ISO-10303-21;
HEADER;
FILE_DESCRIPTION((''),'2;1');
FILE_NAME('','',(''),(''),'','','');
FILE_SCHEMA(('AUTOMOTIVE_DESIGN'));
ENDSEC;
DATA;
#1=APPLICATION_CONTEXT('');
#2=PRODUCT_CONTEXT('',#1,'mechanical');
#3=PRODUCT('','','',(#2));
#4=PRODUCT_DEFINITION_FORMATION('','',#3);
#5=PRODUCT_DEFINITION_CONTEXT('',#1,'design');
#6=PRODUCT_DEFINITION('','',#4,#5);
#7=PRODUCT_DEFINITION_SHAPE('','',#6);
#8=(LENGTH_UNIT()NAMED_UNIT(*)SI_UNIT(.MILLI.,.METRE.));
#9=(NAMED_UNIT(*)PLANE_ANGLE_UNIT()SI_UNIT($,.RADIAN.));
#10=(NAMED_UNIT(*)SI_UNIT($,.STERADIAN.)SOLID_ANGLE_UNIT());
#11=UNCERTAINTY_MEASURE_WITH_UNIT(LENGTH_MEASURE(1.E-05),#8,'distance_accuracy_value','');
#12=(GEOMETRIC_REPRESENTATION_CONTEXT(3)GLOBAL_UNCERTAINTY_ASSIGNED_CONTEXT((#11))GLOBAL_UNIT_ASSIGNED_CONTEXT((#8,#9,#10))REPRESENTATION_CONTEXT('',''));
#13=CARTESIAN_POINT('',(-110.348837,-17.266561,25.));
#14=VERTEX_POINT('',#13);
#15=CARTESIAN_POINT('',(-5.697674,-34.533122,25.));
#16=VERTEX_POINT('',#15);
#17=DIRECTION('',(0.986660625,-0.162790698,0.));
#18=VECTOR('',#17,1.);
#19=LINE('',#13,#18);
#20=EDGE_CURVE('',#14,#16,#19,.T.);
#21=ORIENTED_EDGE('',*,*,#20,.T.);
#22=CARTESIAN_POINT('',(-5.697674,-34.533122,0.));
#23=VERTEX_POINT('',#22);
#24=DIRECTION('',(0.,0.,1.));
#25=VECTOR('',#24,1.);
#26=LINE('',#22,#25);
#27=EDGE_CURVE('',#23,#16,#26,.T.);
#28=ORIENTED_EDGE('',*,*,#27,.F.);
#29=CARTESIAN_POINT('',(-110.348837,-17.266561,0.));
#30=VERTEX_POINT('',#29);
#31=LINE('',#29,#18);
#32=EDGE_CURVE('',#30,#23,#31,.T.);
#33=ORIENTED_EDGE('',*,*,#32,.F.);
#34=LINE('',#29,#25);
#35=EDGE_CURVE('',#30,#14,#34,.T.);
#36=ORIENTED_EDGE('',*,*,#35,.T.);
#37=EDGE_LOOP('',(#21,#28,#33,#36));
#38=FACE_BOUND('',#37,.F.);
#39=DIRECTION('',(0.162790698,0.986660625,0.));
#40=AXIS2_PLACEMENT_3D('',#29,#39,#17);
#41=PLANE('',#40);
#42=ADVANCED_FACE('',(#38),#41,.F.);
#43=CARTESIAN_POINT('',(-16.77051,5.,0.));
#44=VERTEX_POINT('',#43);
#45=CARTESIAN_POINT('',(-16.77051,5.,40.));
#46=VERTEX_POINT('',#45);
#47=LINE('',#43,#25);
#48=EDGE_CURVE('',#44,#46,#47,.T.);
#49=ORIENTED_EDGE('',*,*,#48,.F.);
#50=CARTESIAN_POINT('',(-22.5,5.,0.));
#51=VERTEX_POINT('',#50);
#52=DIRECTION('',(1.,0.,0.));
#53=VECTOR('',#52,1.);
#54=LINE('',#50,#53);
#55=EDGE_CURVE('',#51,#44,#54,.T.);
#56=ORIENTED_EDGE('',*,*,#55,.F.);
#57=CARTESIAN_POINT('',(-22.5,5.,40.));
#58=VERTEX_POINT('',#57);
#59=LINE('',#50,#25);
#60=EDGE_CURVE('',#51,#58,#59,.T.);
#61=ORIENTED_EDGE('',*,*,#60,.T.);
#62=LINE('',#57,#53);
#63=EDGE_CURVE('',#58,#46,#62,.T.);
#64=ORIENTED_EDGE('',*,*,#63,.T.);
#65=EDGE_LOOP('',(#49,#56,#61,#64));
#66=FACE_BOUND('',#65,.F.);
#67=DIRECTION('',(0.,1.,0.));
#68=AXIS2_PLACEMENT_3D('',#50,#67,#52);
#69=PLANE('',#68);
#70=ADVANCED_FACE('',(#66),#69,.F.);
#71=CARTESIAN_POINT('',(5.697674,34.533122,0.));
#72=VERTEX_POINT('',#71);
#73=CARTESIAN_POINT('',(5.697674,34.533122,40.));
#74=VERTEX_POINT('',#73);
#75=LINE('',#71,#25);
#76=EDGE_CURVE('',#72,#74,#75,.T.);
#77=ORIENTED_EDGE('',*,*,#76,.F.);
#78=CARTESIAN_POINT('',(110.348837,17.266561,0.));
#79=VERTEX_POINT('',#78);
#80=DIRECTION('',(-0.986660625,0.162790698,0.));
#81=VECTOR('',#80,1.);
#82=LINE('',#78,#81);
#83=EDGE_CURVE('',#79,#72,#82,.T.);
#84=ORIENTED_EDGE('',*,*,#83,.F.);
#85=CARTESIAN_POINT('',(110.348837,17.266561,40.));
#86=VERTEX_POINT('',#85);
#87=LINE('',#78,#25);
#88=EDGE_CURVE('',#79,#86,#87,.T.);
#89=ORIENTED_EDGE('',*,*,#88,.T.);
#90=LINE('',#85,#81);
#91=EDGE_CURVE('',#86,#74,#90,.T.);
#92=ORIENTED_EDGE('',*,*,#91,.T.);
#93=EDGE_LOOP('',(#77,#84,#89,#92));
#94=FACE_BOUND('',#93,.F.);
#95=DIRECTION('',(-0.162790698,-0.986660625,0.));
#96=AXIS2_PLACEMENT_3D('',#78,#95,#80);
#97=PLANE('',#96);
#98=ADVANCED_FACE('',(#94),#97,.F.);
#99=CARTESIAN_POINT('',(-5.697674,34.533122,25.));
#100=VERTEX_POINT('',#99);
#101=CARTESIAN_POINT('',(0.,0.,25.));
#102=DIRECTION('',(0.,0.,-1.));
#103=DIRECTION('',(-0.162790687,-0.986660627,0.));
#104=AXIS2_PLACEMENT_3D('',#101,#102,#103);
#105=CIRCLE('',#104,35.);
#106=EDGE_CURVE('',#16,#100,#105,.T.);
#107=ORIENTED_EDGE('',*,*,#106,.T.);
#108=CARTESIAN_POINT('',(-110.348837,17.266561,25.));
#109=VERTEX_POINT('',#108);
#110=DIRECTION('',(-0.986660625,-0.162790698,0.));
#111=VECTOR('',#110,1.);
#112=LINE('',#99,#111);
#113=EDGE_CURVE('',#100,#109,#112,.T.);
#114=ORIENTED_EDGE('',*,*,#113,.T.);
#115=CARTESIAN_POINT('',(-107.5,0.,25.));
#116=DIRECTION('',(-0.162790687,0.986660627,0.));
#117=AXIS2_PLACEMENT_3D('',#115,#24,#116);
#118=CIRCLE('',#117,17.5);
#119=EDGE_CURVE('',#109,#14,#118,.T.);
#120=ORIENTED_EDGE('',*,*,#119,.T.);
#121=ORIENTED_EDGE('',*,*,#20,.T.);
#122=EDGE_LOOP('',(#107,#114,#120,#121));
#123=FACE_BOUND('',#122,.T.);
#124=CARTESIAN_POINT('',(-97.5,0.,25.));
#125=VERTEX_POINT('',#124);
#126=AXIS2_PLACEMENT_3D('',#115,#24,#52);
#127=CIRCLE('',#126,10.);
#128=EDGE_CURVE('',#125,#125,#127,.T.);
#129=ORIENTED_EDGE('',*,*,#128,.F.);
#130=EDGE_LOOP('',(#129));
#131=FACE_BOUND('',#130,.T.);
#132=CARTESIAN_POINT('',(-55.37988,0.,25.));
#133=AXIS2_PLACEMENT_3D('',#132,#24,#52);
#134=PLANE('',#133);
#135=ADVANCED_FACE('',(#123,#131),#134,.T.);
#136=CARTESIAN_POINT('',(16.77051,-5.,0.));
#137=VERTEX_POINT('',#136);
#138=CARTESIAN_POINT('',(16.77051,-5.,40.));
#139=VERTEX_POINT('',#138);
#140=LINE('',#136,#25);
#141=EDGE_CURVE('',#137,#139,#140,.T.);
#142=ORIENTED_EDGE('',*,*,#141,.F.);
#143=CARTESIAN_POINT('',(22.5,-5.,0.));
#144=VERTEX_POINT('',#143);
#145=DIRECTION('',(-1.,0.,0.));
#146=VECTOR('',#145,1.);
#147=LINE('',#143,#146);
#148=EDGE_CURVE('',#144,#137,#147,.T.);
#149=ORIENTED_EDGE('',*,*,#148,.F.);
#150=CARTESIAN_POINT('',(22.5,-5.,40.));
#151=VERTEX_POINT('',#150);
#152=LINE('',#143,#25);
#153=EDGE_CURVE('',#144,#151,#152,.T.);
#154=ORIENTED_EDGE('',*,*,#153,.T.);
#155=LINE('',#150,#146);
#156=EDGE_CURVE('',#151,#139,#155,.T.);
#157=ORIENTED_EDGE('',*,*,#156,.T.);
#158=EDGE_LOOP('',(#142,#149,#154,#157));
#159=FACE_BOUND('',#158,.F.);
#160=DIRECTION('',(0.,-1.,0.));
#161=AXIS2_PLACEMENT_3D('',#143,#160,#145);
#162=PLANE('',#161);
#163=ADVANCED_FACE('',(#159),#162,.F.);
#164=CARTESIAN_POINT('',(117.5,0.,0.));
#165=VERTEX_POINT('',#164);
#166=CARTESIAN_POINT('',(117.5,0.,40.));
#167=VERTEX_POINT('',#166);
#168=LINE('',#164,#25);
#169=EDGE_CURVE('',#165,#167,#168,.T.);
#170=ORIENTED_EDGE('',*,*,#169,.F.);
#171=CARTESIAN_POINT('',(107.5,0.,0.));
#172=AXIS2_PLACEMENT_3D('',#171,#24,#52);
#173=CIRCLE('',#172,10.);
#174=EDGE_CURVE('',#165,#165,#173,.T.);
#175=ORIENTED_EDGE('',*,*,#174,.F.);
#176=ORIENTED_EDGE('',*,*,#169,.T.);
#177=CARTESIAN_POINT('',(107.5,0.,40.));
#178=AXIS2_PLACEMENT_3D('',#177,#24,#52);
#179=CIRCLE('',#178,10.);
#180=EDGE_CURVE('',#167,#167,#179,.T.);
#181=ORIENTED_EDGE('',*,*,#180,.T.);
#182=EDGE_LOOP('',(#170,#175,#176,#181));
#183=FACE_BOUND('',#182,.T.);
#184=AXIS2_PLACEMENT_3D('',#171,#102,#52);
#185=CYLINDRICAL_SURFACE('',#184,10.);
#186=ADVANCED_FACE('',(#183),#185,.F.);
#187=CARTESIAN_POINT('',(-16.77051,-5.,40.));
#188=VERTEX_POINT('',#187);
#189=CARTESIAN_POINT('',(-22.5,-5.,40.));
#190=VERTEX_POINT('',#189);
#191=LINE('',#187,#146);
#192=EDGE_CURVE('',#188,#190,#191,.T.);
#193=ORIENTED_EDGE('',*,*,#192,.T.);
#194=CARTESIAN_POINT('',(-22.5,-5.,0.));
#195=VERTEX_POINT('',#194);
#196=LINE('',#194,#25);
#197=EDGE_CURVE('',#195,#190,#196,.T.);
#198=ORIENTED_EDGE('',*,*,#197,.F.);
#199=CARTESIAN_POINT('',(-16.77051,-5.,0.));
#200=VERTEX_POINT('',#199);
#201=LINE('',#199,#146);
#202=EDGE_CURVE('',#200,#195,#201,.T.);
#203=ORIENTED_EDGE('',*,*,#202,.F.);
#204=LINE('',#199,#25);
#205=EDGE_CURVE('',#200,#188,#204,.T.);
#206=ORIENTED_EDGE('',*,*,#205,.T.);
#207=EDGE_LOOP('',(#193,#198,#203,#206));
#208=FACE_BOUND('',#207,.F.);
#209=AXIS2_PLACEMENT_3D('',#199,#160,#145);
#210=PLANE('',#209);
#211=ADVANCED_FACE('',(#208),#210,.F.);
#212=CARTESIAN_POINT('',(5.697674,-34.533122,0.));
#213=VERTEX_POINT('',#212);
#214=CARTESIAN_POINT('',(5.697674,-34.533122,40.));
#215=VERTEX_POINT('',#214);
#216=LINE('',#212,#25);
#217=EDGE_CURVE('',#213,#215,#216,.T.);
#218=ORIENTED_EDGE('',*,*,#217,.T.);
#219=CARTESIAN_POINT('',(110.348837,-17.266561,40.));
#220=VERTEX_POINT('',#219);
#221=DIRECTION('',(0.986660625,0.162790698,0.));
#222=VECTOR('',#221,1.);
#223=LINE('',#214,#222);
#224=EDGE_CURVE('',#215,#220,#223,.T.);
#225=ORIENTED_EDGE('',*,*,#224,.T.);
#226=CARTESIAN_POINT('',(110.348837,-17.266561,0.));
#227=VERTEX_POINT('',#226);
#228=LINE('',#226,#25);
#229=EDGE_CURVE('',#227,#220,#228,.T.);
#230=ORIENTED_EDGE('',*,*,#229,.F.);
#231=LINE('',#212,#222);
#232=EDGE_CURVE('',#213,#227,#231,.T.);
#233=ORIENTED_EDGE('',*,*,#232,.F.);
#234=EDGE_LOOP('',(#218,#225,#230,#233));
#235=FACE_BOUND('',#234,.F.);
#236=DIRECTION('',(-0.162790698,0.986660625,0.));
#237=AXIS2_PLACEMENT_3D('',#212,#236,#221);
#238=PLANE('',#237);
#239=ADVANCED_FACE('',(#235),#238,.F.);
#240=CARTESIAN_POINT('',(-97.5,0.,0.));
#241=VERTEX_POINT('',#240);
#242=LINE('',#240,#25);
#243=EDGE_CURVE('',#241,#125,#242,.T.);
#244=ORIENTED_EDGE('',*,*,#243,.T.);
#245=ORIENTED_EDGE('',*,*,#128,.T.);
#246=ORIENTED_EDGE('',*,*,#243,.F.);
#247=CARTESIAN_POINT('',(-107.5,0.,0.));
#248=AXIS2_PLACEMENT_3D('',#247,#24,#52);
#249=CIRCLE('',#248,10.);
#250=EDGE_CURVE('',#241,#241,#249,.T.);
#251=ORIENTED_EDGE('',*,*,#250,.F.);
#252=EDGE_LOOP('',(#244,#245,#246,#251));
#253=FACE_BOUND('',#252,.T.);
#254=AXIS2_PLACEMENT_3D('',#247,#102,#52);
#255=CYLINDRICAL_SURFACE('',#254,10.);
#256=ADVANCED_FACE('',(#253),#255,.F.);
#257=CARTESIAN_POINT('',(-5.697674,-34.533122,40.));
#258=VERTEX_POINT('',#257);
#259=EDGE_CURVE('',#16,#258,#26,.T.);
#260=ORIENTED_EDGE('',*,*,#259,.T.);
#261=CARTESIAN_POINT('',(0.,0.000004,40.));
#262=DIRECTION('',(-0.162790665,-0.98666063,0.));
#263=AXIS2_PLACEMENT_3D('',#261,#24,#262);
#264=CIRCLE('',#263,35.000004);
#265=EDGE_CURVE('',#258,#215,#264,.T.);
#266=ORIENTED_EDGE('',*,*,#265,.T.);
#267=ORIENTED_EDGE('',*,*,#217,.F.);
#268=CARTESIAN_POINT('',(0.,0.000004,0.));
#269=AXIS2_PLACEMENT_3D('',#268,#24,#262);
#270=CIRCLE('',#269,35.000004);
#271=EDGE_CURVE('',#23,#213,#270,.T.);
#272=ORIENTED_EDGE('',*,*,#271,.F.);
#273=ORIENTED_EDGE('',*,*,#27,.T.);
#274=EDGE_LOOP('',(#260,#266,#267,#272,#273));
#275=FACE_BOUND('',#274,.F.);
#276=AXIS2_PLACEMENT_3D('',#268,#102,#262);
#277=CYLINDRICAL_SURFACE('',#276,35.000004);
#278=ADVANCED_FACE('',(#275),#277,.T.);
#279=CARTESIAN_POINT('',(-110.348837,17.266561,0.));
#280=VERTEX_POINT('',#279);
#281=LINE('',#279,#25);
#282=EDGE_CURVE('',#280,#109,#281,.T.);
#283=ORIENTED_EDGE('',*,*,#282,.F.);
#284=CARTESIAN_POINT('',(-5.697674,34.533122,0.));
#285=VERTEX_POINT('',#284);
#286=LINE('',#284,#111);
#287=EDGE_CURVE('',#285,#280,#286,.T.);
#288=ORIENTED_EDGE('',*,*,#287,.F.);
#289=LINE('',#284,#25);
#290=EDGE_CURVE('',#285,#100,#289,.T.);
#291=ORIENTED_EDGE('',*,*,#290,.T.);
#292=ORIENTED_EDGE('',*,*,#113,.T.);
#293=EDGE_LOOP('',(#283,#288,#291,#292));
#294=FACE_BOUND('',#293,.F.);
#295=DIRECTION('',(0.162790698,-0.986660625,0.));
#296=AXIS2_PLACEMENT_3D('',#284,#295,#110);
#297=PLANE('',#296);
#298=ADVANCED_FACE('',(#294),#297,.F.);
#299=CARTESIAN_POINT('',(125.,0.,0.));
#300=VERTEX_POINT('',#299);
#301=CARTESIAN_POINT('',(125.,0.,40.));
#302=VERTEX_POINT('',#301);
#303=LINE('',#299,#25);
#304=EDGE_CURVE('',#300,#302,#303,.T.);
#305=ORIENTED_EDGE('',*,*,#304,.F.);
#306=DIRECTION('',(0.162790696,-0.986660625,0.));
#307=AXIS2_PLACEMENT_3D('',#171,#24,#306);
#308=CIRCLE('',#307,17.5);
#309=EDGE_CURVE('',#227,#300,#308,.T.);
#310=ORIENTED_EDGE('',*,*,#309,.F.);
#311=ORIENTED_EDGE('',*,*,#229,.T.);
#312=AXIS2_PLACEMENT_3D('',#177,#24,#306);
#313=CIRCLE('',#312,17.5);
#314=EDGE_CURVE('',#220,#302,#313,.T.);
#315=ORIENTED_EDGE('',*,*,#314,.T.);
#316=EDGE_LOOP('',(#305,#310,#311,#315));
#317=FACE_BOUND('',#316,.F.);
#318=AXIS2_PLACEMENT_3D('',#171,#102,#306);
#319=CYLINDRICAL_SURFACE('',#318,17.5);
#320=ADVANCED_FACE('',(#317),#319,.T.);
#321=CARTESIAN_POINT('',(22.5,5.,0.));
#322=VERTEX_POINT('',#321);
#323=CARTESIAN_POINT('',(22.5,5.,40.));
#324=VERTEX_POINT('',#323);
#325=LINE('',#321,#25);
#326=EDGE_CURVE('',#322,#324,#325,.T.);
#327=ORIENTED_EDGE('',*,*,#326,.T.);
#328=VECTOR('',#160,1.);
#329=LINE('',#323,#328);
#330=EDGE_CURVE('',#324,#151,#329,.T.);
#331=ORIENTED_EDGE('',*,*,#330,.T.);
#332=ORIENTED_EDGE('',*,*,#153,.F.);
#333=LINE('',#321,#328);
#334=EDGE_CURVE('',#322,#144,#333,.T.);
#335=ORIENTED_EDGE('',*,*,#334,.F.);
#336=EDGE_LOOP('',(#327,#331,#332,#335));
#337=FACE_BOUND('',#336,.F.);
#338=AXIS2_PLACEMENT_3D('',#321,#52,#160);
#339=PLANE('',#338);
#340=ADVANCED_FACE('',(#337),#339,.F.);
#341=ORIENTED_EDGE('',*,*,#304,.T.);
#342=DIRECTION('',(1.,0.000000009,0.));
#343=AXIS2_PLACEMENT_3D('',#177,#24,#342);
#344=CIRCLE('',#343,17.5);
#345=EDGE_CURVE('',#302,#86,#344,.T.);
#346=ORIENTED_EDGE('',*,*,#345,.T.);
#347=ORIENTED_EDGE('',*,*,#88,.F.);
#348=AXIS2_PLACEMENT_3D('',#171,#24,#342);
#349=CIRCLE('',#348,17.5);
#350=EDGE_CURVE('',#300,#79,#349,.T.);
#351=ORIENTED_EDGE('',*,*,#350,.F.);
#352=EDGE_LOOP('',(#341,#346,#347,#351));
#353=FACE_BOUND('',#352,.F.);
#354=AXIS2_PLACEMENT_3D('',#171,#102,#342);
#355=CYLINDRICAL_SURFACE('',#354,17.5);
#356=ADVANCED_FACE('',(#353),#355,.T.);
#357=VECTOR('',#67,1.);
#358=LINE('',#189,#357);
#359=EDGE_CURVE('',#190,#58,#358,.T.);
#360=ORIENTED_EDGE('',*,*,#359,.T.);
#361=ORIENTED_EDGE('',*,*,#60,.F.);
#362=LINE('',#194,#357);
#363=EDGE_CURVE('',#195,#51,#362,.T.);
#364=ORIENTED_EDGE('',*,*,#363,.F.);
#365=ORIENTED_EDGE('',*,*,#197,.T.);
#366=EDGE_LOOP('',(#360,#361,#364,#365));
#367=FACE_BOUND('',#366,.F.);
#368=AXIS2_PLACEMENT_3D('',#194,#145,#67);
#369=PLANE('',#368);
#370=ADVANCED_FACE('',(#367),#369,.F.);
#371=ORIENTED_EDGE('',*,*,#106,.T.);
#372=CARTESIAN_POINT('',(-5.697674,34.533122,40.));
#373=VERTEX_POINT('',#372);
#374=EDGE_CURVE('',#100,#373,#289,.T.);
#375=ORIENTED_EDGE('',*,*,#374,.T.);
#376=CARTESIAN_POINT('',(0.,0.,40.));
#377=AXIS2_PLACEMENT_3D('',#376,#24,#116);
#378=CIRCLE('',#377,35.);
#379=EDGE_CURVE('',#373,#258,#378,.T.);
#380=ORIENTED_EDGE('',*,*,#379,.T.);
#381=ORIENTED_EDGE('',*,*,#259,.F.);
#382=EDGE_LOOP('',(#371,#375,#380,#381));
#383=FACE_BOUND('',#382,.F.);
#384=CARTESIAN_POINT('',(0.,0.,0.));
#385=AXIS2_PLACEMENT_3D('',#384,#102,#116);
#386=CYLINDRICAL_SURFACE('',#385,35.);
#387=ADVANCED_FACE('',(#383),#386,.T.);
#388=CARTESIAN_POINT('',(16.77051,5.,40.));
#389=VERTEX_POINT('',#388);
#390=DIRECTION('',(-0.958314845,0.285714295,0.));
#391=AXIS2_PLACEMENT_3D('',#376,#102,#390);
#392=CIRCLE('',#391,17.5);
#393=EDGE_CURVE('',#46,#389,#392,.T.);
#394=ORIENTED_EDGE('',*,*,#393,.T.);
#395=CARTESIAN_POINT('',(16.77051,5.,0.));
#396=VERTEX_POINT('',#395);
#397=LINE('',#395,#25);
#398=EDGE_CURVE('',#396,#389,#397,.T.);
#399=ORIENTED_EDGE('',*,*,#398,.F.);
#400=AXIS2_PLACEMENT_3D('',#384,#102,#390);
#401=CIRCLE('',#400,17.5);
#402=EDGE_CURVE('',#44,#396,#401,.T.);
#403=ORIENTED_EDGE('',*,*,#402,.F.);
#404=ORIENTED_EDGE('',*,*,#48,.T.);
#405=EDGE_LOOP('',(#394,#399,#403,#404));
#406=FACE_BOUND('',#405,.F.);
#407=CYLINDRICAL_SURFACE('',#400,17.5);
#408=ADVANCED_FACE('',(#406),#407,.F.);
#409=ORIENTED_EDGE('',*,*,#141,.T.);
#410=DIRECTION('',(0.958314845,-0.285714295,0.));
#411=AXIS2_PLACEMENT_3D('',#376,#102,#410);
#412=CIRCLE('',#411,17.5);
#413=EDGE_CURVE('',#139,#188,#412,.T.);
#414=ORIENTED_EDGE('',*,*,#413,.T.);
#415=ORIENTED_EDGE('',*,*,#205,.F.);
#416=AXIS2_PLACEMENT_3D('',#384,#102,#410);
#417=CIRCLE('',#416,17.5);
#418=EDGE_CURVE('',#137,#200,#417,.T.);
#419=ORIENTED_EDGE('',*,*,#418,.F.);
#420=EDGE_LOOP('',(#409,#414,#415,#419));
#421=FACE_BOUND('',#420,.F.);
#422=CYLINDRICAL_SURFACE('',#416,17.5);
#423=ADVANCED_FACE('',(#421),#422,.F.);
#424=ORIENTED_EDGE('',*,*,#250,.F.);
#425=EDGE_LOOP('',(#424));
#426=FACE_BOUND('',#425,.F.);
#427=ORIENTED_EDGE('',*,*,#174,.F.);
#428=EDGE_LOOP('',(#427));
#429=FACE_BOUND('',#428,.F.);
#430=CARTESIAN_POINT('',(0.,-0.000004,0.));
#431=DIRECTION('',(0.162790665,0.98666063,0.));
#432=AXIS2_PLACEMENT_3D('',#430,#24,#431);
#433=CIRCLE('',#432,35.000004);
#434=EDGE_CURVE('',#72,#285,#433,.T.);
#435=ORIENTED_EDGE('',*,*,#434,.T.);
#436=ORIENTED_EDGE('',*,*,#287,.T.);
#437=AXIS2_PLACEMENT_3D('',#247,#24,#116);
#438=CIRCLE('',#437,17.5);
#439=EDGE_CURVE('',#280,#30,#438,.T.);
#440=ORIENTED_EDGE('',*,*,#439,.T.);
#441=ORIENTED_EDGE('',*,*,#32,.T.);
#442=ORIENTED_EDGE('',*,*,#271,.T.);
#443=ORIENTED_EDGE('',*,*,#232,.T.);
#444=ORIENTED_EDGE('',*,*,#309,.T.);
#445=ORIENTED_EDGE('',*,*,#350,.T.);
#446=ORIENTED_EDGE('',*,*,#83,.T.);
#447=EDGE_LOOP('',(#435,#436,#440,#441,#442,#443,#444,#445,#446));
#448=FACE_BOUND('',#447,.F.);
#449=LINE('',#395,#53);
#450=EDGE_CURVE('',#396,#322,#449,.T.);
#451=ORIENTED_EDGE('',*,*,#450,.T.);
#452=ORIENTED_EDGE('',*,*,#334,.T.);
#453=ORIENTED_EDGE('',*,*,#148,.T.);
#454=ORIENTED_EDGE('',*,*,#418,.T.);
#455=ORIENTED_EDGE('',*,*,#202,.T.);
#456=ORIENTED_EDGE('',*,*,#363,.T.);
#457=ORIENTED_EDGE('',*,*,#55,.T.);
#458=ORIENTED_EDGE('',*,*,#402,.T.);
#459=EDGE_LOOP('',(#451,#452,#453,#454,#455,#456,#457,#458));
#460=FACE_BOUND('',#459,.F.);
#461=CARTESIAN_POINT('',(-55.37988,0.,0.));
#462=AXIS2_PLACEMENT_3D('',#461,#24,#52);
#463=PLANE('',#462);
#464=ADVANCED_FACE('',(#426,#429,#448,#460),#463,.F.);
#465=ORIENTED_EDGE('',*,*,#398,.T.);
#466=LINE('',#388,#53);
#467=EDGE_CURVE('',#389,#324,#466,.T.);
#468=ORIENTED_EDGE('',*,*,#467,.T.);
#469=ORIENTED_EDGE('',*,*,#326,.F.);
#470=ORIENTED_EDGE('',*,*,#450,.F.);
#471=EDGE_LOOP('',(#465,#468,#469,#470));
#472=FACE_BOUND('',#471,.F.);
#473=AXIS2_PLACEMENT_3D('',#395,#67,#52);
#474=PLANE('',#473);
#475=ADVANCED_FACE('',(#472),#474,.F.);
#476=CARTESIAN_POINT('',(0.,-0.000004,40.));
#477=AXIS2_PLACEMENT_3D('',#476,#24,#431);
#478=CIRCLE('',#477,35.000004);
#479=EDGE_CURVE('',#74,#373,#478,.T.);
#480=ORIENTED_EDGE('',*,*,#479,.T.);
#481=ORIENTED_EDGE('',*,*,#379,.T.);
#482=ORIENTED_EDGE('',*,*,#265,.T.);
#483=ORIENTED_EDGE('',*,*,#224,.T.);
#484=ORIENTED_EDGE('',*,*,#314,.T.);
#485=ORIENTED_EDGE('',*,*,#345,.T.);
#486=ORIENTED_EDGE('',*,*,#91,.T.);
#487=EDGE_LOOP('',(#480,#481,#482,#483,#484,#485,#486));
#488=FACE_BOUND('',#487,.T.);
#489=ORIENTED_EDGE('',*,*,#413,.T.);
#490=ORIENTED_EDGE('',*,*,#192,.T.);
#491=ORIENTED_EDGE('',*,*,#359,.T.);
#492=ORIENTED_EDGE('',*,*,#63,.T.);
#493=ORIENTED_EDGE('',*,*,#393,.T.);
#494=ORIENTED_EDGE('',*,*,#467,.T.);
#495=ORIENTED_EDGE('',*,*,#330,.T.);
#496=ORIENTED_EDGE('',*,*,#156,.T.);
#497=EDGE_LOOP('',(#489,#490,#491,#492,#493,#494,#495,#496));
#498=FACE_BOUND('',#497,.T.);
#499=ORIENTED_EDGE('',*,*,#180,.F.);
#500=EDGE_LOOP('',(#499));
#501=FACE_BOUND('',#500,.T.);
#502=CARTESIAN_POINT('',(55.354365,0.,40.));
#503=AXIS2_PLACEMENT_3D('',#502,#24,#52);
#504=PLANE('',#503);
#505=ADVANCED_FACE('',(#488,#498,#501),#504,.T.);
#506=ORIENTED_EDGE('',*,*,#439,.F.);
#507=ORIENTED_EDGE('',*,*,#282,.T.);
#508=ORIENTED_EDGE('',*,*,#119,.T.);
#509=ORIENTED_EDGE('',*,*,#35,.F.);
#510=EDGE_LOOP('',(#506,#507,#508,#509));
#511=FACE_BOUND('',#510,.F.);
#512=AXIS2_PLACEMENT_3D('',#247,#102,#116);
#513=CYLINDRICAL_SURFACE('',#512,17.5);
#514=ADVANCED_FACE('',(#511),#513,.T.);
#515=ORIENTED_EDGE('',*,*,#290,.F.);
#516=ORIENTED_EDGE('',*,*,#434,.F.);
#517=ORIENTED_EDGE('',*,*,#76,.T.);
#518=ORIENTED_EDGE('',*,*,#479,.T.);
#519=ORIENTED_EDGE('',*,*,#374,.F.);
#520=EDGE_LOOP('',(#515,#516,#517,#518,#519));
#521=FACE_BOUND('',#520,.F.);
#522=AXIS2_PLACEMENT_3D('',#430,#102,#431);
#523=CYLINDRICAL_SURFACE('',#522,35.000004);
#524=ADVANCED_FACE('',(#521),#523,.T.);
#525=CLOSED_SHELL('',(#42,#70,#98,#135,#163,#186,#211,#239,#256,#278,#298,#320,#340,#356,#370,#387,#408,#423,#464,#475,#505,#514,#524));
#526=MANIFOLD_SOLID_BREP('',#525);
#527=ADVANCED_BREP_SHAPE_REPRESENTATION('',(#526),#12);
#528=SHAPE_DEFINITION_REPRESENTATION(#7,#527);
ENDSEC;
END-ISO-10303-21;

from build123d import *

# Parameters (mm, degrees)
F0_R     = 10
F1_DEPTH = 40
F2_DEPTH = 25


with BuildPart() as f1:
    # F0 (on Top) → F1 (new body)
    with BuildSketch(Plane.XY):
        with BuildLine():
            ThreePointArc((5.697674, 34.533122), (26.68725, 22.644882), (35, 0))
            ThreePointArc((35, 0), (26.68725, -22.644882), (5.697674, -34.533122))
            Line((5.697674, -34.533122), (110.348837, -17.266561))
            ThreePointArc((110.348837, -17.266561), (90, 0), (110.348837, 17.266561))
            Line((110.348837, 17.266561), (5.697674, 34.533122))
        make_face()
        with BuildLine():
            ThreePointArc((5.697674, -34.533122), (26.68725, -22.644882), (35, 0))
            ThreePointArc((35, 0), (26.68725, 22.644882), (5.697674, 34.533122))
            ThreePointArc((5.697674, 34.533122), (0, 35), (-5.697674, 34.533122))
            ThreePointArc((-5.697674, 34.533122), (-35, 0), (-5.697674, -34.533122))
            ThreePointArc((-5.697674, -34.533122), (0, -35), (5.697674, -34.533122))
        make_face()
        with BuildLine():
            ThreePointArc((-16.77051, 5), (0, 17.5), (16.77051, 5))
            Line((16.77051, 5), (22.5, 5))
            Line((22.5, 5), (22.5, -5))
            Line((22.5, -5), (16.77051, -5))
            ThreePointArc((16.77051, -5), (0, -17.5), (-16.77051, -5))
            Line((-16.77051, -5), (-22.5, -5))
            Line((-22.5, -5), (-22.5, 5))
            Line((-22.5, 5), (-16.77051, 5))
        make_face(mode=Mode.SUBTRACT)
        with BuildLine():
            ThreePointArc((125, 0), (120.843625, 11.322441), (110.348837, 17.266561))
            ThreePointArc((110.348837, 17.266561), (90, 0), (110.348837, -17.266561))
            ThreePointArc((110.348837, -17.266561), (120.843625, -11.322441), (125, 0))
        make_face()
        with Locations((107.5, 0)):
            Circle(F0_R, mode=Mode.SUBTRACT)
    extrude(amount=F1_DEPTH)

    # F0 (on Top) → F2 (join)
    with BuildSketch(Plane.XY):
        with BuildLine():
            ThreePointArc((-5.697674, -34.533122), (-35, 0), (-5.697674, 34.533122))
            Line((-5.697674, 34.533122), (-110.348837, 17.266561))
            ThreePointArc((-110.348837, 17.266561), (-96.177559, 13.343625), (-90, 0))
            ThreePointArc((-90, 0), (-96.177559, -13.343625), (-110.348837, -17.266561))
            Line((-110.348837, -17.266561), (-5.697674, -34.533122))
        make_face()
        with BuildLine():
            ThreePointArc((-90, 0), (-96.177559, 13.343625), (-110.348837, 17.266561))
            ThreePointArc((-110.348837, 17.266561), (-125, 0), (-110.348837, -17.266561))
            ThreePointArc((-110.348837, -17.266561), (-96.177559, -13.343625), (-90, 0))
        make_face()
        with Locations((-107.5, 0)):
            Circle(F0_R, mode=Mode.SUBTRACT)
    extrude(amount=F2_DEPTH)


solid = f1.part
